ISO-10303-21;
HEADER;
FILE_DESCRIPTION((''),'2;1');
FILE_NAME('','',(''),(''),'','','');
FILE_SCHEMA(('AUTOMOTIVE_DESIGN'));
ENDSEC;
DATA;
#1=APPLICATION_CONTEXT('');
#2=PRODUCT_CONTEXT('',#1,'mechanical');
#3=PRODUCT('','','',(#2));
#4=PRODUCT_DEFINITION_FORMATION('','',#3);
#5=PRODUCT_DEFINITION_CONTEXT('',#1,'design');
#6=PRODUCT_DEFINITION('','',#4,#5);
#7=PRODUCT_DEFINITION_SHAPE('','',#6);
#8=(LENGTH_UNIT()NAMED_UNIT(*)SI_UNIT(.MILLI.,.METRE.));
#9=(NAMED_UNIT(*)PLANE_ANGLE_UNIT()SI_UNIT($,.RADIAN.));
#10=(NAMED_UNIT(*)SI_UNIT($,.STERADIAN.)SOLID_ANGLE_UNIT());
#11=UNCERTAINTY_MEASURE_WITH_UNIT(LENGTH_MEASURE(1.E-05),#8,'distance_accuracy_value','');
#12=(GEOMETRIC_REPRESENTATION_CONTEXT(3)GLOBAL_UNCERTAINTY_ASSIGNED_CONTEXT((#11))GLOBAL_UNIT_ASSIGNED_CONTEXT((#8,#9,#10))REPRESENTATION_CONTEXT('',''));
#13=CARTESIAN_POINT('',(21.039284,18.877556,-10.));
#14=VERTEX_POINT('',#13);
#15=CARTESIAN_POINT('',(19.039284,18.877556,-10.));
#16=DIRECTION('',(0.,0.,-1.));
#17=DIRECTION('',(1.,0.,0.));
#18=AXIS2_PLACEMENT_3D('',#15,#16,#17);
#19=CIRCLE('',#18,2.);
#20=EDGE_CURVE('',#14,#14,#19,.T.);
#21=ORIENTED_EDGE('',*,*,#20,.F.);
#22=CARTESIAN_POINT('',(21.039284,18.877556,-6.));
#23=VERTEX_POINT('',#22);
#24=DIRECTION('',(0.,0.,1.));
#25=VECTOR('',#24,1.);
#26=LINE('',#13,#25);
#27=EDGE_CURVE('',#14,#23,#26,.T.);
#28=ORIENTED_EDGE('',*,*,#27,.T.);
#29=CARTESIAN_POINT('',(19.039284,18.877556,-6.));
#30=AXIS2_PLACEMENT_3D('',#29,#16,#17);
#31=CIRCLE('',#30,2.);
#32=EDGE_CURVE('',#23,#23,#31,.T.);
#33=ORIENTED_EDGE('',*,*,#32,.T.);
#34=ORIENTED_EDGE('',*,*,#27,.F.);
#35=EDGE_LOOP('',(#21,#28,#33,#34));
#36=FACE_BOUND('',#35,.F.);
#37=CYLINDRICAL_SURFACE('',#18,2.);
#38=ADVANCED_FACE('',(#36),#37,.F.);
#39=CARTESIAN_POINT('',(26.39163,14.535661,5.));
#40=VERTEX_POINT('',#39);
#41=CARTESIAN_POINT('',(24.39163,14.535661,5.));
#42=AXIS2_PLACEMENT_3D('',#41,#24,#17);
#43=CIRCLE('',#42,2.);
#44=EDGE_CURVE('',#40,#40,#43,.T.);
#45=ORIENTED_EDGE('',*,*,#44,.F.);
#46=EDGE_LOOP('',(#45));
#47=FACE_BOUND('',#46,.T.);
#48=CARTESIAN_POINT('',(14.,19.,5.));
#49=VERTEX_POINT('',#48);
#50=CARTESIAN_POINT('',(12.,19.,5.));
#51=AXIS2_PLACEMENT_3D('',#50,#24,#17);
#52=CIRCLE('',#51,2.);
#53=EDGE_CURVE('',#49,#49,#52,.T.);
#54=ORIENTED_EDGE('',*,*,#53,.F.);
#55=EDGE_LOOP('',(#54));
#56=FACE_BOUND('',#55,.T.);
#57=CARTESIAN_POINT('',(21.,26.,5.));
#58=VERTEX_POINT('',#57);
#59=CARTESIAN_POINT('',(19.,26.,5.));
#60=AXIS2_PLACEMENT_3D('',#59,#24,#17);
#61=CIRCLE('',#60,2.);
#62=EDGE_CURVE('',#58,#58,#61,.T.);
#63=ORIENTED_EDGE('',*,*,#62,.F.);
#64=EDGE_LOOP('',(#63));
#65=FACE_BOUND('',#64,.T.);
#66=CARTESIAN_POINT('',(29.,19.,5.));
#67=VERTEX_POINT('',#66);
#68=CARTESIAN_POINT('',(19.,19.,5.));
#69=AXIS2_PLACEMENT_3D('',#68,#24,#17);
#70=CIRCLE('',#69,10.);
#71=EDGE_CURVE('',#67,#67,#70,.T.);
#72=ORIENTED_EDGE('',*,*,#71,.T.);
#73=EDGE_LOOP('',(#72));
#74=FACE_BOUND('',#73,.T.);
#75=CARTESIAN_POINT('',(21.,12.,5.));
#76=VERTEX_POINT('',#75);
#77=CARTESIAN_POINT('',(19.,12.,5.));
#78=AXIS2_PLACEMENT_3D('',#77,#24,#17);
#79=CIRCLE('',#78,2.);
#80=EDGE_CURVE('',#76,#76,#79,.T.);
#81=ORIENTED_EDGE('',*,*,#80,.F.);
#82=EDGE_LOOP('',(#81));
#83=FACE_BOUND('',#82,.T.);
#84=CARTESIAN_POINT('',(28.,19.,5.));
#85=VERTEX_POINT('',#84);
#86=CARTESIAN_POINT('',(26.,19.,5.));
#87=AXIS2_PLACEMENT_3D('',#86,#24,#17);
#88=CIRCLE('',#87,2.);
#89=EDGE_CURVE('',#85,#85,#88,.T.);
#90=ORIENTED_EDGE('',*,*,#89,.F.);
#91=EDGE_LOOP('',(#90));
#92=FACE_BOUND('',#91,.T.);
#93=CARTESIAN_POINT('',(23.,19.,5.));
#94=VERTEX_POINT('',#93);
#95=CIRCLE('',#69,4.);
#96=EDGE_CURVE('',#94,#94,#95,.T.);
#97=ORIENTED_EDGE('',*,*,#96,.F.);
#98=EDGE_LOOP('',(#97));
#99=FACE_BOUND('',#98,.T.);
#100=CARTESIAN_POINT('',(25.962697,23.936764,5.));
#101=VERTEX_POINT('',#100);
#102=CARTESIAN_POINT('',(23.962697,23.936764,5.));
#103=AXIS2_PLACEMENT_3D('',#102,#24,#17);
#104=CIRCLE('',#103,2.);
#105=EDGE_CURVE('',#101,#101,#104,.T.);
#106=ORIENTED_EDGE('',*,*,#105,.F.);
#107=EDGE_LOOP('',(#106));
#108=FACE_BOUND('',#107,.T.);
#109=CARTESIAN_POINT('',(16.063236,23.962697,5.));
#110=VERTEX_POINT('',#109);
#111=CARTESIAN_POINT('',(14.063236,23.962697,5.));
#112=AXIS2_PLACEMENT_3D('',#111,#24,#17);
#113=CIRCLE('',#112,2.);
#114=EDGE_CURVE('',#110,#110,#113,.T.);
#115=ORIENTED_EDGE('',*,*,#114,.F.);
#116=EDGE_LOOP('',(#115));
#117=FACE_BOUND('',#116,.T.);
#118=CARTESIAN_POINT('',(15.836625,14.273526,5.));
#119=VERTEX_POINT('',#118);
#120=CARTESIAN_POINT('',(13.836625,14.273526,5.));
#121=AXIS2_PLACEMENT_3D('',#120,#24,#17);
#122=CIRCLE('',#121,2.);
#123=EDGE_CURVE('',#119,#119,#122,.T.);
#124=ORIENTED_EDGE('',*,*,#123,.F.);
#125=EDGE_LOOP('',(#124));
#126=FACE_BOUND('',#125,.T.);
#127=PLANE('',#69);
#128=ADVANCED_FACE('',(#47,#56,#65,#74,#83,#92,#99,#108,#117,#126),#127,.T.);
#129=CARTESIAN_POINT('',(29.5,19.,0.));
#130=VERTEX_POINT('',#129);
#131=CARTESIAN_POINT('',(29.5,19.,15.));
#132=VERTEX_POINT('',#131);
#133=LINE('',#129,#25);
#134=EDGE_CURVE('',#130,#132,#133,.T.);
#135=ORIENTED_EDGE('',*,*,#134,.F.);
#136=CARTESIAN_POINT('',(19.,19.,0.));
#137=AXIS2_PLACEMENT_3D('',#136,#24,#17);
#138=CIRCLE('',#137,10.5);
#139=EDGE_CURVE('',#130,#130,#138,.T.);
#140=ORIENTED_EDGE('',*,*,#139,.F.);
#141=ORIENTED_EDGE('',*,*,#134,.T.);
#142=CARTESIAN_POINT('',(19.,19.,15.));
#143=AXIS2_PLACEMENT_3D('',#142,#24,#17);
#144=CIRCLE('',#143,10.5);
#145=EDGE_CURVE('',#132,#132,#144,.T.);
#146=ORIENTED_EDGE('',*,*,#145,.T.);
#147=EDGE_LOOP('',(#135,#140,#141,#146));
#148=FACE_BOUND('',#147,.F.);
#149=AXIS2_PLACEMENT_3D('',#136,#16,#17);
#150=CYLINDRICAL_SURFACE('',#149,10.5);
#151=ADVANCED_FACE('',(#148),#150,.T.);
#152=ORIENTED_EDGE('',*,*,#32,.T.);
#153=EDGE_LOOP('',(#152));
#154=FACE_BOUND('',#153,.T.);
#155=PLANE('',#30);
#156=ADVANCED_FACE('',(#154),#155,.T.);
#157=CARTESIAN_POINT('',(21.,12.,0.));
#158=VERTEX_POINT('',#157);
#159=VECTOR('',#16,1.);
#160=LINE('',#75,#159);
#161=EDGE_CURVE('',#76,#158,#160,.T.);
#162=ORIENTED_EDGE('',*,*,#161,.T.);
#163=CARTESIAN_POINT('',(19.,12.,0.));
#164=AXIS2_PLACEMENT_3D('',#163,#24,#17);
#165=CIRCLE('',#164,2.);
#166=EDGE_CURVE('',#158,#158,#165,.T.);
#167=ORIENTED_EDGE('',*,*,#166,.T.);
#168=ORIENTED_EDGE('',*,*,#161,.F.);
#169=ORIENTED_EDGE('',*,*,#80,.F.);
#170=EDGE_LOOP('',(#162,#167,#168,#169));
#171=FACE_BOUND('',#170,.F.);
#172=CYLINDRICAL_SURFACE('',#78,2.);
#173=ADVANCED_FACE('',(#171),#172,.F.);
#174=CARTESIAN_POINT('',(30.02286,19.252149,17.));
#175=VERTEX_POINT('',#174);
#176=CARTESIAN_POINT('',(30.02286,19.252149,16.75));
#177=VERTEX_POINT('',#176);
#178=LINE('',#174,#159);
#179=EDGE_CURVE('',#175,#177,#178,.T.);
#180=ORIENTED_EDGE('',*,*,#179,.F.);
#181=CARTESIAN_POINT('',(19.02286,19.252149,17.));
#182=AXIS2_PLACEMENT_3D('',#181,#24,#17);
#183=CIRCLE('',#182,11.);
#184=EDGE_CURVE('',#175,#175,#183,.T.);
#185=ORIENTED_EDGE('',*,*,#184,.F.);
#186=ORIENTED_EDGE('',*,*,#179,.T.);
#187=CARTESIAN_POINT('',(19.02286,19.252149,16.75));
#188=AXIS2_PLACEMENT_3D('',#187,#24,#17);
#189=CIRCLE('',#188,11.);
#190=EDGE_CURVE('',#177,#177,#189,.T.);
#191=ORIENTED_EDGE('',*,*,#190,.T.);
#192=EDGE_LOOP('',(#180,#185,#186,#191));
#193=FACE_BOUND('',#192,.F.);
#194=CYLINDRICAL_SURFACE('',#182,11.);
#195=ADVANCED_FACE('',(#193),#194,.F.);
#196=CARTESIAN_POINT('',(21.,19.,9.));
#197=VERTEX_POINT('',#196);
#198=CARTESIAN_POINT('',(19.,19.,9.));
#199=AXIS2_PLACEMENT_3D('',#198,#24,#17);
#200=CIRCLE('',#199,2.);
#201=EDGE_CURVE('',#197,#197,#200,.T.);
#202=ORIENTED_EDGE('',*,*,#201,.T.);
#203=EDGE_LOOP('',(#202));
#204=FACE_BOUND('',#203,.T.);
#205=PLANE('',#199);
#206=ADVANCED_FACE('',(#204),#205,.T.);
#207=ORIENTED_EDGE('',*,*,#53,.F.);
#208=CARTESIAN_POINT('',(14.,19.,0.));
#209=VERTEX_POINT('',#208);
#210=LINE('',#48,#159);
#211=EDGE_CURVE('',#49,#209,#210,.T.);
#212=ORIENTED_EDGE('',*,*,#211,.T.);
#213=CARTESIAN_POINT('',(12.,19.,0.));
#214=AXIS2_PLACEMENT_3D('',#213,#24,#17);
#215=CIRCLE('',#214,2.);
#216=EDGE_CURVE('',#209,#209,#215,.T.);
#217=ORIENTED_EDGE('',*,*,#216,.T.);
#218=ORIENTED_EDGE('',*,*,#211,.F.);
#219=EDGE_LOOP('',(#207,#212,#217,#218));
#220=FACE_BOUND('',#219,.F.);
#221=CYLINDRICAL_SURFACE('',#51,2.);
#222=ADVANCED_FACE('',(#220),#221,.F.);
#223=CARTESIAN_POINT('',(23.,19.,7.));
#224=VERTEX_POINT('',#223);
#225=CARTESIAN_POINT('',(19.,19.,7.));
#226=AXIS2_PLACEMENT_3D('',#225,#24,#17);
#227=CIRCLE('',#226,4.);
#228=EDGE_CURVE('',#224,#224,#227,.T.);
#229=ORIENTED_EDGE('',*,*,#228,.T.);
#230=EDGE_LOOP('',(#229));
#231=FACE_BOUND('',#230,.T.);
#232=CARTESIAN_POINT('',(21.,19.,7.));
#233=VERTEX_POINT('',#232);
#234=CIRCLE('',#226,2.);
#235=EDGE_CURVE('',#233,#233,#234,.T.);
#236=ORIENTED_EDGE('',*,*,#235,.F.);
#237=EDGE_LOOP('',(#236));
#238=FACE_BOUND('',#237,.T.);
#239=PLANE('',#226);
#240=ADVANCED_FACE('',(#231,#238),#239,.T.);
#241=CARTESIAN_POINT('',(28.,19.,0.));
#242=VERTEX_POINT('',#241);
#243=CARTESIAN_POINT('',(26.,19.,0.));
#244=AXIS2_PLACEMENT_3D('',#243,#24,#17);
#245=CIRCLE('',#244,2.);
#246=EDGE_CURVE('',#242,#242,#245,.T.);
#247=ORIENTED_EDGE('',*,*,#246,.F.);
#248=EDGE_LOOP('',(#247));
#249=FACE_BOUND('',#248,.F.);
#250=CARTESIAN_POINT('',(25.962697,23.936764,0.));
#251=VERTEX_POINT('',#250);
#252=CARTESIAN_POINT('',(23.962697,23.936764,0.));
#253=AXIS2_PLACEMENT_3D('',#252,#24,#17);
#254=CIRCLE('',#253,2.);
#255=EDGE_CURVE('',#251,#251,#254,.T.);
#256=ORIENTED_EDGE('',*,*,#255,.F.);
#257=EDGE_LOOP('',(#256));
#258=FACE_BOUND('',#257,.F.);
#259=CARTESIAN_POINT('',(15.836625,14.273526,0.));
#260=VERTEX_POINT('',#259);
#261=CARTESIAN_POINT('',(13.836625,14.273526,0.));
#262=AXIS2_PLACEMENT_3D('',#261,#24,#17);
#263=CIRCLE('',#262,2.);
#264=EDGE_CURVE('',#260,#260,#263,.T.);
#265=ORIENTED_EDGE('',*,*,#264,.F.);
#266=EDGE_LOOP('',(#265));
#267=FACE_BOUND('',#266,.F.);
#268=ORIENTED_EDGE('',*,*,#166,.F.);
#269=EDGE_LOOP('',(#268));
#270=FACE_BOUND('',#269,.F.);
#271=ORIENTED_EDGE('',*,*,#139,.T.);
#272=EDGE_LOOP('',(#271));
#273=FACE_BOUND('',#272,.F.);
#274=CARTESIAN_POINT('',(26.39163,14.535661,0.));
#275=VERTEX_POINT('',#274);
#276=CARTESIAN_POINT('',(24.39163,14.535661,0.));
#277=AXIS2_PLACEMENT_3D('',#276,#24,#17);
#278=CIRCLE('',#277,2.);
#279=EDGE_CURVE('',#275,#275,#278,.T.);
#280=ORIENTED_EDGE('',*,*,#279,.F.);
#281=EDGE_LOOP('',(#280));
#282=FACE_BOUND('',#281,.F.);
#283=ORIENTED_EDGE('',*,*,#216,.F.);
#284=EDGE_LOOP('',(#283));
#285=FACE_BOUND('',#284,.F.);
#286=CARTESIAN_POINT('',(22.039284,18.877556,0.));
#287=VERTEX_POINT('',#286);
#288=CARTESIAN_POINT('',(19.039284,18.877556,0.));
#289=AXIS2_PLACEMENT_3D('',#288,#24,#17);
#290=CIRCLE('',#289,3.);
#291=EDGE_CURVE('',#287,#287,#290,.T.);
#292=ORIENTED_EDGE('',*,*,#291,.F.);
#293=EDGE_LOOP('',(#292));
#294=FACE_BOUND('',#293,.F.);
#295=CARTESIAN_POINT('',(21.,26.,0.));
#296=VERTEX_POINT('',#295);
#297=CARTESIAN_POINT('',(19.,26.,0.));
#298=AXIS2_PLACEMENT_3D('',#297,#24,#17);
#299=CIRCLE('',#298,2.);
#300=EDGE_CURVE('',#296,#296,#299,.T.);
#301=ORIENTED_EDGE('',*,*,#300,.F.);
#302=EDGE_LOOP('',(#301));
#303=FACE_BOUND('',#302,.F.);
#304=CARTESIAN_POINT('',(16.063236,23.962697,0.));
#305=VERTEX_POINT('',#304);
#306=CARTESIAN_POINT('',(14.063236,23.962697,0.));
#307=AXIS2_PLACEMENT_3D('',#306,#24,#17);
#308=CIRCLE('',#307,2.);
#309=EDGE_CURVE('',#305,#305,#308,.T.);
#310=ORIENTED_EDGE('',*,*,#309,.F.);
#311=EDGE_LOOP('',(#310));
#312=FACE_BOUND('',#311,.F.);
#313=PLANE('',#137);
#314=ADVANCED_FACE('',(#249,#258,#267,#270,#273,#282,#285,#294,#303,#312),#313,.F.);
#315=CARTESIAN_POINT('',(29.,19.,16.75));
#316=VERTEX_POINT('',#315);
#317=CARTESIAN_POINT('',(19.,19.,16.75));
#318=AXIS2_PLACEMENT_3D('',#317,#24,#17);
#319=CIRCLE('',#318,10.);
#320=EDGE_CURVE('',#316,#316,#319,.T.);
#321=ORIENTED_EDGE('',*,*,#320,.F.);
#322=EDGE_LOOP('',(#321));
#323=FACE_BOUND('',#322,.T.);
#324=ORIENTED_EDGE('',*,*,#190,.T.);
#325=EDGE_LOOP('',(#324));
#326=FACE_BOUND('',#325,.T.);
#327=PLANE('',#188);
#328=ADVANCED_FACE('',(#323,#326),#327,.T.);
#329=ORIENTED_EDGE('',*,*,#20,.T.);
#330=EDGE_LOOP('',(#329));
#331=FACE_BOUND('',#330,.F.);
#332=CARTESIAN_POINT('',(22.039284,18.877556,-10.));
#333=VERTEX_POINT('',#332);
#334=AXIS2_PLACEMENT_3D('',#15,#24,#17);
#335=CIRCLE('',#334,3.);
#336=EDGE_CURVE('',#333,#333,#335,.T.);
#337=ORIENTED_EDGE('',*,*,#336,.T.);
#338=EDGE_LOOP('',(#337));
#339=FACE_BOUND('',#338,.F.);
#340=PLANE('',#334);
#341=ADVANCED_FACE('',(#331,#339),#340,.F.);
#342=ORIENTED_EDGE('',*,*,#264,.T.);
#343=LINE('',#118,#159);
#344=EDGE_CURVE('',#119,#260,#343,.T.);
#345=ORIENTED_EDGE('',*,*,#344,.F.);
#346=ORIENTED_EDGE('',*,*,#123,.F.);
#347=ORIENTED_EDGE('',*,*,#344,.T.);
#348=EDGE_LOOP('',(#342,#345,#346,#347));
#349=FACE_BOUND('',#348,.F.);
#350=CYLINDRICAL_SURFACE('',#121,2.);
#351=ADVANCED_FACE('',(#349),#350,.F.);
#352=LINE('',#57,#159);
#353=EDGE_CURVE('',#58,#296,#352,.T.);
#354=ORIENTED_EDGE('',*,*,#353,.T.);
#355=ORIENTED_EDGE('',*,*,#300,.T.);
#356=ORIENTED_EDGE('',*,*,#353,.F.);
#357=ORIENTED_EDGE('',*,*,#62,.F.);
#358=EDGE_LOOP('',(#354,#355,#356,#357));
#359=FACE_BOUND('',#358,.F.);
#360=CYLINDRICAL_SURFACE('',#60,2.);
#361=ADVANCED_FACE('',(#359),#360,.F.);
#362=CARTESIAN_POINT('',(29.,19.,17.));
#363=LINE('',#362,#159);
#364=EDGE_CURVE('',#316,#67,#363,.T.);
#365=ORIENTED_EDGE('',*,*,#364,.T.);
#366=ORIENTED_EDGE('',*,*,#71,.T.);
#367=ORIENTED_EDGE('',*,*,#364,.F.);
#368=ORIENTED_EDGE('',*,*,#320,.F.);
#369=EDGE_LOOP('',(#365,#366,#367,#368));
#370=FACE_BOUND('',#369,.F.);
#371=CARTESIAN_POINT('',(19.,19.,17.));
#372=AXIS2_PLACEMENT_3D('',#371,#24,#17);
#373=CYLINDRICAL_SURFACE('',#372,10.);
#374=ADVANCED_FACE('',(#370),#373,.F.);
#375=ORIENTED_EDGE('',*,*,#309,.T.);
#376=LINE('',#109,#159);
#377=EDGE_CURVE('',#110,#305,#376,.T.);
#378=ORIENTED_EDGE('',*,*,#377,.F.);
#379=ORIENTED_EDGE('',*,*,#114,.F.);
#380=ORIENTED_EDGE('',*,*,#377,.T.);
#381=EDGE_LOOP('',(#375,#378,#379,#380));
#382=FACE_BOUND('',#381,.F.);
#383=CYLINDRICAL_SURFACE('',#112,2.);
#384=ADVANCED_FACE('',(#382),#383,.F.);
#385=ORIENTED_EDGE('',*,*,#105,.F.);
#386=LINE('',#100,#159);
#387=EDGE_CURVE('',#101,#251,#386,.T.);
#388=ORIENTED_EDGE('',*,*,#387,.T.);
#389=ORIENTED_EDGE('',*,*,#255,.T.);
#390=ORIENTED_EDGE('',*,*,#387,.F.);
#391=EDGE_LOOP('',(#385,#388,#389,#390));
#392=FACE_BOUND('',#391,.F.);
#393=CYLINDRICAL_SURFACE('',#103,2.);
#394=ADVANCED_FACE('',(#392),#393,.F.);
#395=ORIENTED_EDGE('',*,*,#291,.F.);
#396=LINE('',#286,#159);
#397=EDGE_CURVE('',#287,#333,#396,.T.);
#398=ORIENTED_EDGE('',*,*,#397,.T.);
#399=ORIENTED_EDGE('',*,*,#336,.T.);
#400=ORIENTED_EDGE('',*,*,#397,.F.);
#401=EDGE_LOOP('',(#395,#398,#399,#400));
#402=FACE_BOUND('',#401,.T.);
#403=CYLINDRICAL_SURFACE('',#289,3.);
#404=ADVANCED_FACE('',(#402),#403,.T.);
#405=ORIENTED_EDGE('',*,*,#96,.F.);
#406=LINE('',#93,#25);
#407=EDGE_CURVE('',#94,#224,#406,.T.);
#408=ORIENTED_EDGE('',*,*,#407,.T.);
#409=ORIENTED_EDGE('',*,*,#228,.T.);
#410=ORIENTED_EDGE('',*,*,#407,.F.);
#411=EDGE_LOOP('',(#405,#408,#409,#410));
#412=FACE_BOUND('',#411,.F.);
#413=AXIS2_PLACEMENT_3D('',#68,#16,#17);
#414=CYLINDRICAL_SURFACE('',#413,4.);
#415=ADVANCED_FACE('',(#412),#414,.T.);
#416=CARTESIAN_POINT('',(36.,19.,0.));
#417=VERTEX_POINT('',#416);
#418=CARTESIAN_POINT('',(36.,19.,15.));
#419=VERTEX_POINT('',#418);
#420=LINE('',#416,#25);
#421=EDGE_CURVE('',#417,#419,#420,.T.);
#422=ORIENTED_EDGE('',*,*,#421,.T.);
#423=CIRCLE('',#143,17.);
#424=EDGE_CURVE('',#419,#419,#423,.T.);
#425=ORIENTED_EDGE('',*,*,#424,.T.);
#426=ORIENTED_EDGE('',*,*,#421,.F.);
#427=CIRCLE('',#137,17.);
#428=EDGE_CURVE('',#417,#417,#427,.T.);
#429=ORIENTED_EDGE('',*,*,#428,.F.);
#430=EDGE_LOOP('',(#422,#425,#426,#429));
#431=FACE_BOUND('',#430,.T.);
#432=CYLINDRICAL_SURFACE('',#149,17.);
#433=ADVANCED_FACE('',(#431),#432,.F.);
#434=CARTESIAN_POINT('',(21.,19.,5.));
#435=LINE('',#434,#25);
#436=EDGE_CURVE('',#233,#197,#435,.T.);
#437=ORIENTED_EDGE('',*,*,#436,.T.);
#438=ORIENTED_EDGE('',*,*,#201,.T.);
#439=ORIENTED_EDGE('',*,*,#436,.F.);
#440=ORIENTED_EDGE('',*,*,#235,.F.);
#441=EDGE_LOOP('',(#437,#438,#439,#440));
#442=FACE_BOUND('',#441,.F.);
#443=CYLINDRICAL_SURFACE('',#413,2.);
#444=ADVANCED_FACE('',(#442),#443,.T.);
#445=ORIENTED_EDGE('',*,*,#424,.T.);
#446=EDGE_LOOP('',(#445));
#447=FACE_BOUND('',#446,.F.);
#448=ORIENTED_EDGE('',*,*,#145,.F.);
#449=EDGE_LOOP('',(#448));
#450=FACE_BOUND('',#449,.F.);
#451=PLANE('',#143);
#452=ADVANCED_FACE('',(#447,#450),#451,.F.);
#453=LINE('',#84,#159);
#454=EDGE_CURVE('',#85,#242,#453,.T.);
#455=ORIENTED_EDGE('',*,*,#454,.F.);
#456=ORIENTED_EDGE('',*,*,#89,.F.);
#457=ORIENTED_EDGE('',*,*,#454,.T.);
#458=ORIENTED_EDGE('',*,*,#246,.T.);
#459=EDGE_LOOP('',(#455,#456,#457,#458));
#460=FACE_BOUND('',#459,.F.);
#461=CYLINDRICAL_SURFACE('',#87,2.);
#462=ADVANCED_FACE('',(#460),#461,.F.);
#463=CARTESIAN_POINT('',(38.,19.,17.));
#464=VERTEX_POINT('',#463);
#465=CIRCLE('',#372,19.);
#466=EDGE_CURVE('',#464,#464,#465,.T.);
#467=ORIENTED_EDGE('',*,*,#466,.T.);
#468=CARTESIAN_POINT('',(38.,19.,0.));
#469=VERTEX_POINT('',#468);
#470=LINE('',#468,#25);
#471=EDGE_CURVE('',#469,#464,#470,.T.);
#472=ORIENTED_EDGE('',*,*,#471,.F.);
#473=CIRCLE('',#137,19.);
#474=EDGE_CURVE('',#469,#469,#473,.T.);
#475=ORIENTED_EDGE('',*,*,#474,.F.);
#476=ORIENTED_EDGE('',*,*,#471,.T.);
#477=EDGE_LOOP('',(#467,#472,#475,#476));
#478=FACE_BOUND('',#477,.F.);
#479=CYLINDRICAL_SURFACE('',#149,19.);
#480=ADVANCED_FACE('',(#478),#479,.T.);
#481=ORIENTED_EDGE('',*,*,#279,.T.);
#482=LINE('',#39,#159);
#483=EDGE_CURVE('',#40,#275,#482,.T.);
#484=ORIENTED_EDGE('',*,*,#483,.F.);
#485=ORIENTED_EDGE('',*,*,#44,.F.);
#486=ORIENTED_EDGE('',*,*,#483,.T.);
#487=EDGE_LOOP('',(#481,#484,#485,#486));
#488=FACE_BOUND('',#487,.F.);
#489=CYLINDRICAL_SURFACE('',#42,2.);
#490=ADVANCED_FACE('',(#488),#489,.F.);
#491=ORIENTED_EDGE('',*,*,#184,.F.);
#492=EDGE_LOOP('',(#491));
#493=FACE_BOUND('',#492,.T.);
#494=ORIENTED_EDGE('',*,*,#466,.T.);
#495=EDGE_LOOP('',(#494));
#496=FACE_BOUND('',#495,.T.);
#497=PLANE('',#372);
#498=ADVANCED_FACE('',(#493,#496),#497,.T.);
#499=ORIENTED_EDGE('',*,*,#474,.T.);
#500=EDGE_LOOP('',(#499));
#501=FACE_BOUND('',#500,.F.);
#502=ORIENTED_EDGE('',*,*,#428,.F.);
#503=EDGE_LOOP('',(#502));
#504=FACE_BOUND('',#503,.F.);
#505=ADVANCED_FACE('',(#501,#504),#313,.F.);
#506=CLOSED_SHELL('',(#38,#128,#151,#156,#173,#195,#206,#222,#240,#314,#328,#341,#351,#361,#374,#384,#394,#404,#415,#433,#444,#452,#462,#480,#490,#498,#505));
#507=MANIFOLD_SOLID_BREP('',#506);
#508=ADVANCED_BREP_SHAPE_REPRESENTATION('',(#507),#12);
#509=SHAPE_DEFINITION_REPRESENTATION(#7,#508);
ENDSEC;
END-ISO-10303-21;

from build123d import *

# Parameters (mm, degrees)
F0_R      = 19
F1_DEPTH  = 17
F2_R      = 17
F2_R_2    = 10.5
F3_DEPTH  = 15
F4_R      = 3
F5_DEPTH  = 10
F6_R      = 10
F7_DEPTH  = 12
F8_R      = 2
F9_DEPTH  = 25
F10_DEPTH = 4
F8_R_2    = 4
F11_DEPTH = 2
F12_R     = 11
F13_DEPTH = 0.25
F14_R     = 2
F15_DEPTH = 4


with BuildPart() as f1:
    # F0 (on Top) → F1 (new body)
    with BuildSketch(Plane.XY):
        with Locations((19, 19)):
            Circle(F0_R)
    extrude(amount=F1_DEPTH)

    # F2 (on Top) → F3 (cut)
    with BuildSketch(Plane.XY):
        with Locations((19, 19)):
            Circle(F2_R)
        with Locations((19, 19)):
            Circle(F2_R_2, mode=Mode.SUBTRACT)
    extrude(amount=F3_DEPTH, mode=Mode.SUBTRACT)

    # F4 (on face) → F5 (join)
    with BuildSketch(Plane.XY):
        with Locations((19.039284, 18.877556)):
            Circle(F4_R)
    extrude(amount=-F5_DEPTH)

    # F6 (on face) → F7 (cut)
    with BuildSketch(Plane.XY.offset(17)):
        with Locations((19, 19)):
            Circle(F6_R)
    extrude(amount=-F7_DEPTH, mode=Mode.SUBTRACT)

    # F8 (on face) → F9 (cut)
    with BuildSketch(Plane.XY.offset(5)):
        with Locations((19, 26)):
            Circle(F8_R)
        with Locations((23.962697, 23.936764)):
            Circle(F8_R)
        with Locations((26, 19)):
            Circle(F8_R)
        with Locations((24.39163, 14.535661)):
            Circle(F8_R)
        with Locations((19, 12)):
            Circle(F8_R)
        with Locations((13.836625, 14.273526)):
            Circle(F8_R)
        with Locations((12, 19)):
            Circle(F8_R)
        with Locations((14.063236, 23.962697)):
            Circle(F8_R)
    extrude(amount=-F9_DEPTH, mode=Mode.SUBTRACT)

    # F8 (on face) → F10 (join)
    with BuildSketch(Plane.XY.offset(5)):
        with Locations((19, 19)):
            Circle(F8_R)
    extrude(amount=F10_DEPTH)

    # F8 (on face) → F11 (join)
    with BuildSketch(Plane.XY.offset(5)):
        with Locations((19, 19)):
            Circle(F8_R_2)
        with Locations((19, 19)):
            Circle(F8_R, mode=Mode.SUBTRACT)
    extrude(amount=F11_DEPTH)

    # F12 (on face) → F13 (cut)
    with BuildSketch(Plane.XY.offset(17)):
        with Locations((19.02286, 19.252149)):
            Circle(F12_R)
    extrude(amount=-F13_DEPTH, mode=Mode.SUBTRACT)

    # F14 (on face) → F15 (cut)
    with BuildSketch(Plane(origin=(0, 0, -10), x_dir=(1, 0, 0), z_dir=(0, 0, -1))):
        with Locations((19.039284, -18.877556)):
            Circle(F14_R)
    extrude(amount=-F15_DEPTH, mode=Mode.SUBTRACT)


solid = f1.part
